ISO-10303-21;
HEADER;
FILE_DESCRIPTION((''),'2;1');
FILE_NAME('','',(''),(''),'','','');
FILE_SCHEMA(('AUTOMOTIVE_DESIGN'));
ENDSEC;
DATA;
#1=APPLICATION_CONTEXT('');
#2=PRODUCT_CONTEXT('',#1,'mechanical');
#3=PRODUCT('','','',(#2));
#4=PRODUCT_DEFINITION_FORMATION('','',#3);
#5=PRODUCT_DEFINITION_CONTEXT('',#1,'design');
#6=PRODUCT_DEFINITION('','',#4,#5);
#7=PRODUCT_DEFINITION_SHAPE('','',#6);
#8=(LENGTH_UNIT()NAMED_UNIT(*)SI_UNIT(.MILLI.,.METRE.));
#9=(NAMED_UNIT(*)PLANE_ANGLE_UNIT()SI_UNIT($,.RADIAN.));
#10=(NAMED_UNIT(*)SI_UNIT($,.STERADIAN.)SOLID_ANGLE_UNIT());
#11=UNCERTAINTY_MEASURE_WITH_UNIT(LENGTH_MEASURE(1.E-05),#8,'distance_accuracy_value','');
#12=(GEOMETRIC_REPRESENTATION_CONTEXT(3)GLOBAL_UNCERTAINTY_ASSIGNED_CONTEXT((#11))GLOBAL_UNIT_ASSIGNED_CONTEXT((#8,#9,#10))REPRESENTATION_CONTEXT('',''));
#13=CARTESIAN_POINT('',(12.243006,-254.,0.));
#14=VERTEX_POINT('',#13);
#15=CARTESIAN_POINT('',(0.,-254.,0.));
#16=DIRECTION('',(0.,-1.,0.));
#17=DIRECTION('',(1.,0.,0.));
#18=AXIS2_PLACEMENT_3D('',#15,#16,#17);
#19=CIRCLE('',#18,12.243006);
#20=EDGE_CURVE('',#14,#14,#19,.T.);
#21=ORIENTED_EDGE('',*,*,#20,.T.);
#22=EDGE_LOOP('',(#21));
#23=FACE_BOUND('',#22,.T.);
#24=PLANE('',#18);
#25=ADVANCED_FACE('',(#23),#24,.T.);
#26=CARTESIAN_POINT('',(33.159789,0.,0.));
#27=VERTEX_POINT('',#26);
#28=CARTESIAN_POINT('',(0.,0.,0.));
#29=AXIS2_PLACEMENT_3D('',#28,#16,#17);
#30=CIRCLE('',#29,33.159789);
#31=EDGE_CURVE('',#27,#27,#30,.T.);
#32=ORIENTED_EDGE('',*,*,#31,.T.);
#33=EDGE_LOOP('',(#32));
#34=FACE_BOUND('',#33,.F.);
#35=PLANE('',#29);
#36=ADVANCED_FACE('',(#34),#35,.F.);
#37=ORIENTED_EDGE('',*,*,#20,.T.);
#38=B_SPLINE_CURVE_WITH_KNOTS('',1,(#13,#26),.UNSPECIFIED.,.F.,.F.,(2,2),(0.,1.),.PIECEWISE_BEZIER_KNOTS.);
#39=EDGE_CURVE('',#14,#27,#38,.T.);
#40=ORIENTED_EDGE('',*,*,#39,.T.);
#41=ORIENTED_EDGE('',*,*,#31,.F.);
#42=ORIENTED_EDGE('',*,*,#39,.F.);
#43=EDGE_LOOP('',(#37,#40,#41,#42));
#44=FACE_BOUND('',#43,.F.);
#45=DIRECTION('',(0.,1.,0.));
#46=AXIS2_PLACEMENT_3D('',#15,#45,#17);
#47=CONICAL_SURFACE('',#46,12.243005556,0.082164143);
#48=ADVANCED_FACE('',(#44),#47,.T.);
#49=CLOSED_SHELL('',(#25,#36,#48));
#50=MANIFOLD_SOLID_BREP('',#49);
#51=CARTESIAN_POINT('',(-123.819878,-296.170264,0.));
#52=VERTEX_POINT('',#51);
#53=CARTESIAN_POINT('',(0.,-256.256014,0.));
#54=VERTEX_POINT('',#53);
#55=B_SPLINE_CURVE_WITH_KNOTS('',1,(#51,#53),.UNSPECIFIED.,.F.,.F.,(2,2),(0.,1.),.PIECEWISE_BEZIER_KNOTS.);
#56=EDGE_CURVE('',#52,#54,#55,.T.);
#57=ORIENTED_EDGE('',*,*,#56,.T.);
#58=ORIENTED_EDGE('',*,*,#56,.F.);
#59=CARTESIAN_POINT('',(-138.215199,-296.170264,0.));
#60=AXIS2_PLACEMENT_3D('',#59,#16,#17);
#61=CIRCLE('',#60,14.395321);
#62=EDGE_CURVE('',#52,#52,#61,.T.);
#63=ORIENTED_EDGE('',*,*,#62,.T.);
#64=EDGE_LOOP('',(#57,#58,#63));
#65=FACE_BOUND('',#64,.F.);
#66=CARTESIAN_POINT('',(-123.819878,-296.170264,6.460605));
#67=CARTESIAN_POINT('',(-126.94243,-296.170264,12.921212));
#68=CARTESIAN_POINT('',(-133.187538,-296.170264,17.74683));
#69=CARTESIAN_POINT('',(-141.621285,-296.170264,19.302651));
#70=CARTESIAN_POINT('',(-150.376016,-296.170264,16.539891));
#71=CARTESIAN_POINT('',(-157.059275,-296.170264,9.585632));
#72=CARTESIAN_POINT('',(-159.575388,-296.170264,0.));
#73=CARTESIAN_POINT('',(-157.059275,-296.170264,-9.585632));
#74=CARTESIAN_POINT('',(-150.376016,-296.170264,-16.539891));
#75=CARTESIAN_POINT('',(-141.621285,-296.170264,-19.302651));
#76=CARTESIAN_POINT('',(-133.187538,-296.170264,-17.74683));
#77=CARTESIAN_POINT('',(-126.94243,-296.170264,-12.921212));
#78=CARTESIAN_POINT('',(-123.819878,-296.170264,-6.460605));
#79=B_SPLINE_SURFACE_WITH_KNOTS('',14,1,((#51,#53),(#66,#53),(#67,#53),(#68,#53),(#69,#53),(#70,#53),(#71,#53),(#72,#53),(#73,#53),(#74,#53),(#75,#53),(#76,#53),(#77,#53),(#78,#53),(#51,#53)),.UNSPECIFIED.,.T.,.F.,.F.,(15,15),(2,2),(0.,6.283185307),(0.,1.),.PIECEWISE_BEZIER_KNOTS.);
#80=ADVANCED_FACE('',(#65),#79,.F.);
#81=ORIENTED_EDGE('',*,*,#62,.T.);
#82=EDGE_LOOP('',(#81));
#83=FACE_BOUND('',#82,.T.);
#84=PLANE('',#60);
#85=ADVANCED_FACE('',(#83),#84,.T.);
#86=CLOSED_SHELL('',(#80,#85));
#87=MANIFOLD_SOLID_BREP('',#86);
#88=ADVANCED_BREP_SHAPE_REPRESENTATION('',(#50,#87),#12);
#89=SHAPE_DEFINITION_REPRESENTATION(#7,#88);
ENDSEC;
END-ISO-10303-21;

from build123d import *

# Parameters (mm, degrees)
F2_R = 12.2430055564
F0_R = 33.1597885282
F6_R = 14.3953210768


with BuildPart() as f3:
    # F2 (on offset) → F3 section 0
    with BuildSketch(Plane.XZ.offset(254)):
        Circle(F2_R)
    # F0 (on Front) → F3 section 1
    with BuildSketch(Plane.XZ):
        Circle(F0_R)
    loft()


with BuildPart() as f7:
    # F6 (on plane+point) → F7 section 0
    with BuildSketch(Plane.XZ.offset(296.1702644825), mode=Mode.PRIVATE) as f7_s0:
        with Locations((-138.2151991129, 0)):
            Circle(F6_R)
    loft([f7_s0.sketch, Vertex(0, -256.2560141087, 0)])


solid = Compound([f3.part, f7.part])
